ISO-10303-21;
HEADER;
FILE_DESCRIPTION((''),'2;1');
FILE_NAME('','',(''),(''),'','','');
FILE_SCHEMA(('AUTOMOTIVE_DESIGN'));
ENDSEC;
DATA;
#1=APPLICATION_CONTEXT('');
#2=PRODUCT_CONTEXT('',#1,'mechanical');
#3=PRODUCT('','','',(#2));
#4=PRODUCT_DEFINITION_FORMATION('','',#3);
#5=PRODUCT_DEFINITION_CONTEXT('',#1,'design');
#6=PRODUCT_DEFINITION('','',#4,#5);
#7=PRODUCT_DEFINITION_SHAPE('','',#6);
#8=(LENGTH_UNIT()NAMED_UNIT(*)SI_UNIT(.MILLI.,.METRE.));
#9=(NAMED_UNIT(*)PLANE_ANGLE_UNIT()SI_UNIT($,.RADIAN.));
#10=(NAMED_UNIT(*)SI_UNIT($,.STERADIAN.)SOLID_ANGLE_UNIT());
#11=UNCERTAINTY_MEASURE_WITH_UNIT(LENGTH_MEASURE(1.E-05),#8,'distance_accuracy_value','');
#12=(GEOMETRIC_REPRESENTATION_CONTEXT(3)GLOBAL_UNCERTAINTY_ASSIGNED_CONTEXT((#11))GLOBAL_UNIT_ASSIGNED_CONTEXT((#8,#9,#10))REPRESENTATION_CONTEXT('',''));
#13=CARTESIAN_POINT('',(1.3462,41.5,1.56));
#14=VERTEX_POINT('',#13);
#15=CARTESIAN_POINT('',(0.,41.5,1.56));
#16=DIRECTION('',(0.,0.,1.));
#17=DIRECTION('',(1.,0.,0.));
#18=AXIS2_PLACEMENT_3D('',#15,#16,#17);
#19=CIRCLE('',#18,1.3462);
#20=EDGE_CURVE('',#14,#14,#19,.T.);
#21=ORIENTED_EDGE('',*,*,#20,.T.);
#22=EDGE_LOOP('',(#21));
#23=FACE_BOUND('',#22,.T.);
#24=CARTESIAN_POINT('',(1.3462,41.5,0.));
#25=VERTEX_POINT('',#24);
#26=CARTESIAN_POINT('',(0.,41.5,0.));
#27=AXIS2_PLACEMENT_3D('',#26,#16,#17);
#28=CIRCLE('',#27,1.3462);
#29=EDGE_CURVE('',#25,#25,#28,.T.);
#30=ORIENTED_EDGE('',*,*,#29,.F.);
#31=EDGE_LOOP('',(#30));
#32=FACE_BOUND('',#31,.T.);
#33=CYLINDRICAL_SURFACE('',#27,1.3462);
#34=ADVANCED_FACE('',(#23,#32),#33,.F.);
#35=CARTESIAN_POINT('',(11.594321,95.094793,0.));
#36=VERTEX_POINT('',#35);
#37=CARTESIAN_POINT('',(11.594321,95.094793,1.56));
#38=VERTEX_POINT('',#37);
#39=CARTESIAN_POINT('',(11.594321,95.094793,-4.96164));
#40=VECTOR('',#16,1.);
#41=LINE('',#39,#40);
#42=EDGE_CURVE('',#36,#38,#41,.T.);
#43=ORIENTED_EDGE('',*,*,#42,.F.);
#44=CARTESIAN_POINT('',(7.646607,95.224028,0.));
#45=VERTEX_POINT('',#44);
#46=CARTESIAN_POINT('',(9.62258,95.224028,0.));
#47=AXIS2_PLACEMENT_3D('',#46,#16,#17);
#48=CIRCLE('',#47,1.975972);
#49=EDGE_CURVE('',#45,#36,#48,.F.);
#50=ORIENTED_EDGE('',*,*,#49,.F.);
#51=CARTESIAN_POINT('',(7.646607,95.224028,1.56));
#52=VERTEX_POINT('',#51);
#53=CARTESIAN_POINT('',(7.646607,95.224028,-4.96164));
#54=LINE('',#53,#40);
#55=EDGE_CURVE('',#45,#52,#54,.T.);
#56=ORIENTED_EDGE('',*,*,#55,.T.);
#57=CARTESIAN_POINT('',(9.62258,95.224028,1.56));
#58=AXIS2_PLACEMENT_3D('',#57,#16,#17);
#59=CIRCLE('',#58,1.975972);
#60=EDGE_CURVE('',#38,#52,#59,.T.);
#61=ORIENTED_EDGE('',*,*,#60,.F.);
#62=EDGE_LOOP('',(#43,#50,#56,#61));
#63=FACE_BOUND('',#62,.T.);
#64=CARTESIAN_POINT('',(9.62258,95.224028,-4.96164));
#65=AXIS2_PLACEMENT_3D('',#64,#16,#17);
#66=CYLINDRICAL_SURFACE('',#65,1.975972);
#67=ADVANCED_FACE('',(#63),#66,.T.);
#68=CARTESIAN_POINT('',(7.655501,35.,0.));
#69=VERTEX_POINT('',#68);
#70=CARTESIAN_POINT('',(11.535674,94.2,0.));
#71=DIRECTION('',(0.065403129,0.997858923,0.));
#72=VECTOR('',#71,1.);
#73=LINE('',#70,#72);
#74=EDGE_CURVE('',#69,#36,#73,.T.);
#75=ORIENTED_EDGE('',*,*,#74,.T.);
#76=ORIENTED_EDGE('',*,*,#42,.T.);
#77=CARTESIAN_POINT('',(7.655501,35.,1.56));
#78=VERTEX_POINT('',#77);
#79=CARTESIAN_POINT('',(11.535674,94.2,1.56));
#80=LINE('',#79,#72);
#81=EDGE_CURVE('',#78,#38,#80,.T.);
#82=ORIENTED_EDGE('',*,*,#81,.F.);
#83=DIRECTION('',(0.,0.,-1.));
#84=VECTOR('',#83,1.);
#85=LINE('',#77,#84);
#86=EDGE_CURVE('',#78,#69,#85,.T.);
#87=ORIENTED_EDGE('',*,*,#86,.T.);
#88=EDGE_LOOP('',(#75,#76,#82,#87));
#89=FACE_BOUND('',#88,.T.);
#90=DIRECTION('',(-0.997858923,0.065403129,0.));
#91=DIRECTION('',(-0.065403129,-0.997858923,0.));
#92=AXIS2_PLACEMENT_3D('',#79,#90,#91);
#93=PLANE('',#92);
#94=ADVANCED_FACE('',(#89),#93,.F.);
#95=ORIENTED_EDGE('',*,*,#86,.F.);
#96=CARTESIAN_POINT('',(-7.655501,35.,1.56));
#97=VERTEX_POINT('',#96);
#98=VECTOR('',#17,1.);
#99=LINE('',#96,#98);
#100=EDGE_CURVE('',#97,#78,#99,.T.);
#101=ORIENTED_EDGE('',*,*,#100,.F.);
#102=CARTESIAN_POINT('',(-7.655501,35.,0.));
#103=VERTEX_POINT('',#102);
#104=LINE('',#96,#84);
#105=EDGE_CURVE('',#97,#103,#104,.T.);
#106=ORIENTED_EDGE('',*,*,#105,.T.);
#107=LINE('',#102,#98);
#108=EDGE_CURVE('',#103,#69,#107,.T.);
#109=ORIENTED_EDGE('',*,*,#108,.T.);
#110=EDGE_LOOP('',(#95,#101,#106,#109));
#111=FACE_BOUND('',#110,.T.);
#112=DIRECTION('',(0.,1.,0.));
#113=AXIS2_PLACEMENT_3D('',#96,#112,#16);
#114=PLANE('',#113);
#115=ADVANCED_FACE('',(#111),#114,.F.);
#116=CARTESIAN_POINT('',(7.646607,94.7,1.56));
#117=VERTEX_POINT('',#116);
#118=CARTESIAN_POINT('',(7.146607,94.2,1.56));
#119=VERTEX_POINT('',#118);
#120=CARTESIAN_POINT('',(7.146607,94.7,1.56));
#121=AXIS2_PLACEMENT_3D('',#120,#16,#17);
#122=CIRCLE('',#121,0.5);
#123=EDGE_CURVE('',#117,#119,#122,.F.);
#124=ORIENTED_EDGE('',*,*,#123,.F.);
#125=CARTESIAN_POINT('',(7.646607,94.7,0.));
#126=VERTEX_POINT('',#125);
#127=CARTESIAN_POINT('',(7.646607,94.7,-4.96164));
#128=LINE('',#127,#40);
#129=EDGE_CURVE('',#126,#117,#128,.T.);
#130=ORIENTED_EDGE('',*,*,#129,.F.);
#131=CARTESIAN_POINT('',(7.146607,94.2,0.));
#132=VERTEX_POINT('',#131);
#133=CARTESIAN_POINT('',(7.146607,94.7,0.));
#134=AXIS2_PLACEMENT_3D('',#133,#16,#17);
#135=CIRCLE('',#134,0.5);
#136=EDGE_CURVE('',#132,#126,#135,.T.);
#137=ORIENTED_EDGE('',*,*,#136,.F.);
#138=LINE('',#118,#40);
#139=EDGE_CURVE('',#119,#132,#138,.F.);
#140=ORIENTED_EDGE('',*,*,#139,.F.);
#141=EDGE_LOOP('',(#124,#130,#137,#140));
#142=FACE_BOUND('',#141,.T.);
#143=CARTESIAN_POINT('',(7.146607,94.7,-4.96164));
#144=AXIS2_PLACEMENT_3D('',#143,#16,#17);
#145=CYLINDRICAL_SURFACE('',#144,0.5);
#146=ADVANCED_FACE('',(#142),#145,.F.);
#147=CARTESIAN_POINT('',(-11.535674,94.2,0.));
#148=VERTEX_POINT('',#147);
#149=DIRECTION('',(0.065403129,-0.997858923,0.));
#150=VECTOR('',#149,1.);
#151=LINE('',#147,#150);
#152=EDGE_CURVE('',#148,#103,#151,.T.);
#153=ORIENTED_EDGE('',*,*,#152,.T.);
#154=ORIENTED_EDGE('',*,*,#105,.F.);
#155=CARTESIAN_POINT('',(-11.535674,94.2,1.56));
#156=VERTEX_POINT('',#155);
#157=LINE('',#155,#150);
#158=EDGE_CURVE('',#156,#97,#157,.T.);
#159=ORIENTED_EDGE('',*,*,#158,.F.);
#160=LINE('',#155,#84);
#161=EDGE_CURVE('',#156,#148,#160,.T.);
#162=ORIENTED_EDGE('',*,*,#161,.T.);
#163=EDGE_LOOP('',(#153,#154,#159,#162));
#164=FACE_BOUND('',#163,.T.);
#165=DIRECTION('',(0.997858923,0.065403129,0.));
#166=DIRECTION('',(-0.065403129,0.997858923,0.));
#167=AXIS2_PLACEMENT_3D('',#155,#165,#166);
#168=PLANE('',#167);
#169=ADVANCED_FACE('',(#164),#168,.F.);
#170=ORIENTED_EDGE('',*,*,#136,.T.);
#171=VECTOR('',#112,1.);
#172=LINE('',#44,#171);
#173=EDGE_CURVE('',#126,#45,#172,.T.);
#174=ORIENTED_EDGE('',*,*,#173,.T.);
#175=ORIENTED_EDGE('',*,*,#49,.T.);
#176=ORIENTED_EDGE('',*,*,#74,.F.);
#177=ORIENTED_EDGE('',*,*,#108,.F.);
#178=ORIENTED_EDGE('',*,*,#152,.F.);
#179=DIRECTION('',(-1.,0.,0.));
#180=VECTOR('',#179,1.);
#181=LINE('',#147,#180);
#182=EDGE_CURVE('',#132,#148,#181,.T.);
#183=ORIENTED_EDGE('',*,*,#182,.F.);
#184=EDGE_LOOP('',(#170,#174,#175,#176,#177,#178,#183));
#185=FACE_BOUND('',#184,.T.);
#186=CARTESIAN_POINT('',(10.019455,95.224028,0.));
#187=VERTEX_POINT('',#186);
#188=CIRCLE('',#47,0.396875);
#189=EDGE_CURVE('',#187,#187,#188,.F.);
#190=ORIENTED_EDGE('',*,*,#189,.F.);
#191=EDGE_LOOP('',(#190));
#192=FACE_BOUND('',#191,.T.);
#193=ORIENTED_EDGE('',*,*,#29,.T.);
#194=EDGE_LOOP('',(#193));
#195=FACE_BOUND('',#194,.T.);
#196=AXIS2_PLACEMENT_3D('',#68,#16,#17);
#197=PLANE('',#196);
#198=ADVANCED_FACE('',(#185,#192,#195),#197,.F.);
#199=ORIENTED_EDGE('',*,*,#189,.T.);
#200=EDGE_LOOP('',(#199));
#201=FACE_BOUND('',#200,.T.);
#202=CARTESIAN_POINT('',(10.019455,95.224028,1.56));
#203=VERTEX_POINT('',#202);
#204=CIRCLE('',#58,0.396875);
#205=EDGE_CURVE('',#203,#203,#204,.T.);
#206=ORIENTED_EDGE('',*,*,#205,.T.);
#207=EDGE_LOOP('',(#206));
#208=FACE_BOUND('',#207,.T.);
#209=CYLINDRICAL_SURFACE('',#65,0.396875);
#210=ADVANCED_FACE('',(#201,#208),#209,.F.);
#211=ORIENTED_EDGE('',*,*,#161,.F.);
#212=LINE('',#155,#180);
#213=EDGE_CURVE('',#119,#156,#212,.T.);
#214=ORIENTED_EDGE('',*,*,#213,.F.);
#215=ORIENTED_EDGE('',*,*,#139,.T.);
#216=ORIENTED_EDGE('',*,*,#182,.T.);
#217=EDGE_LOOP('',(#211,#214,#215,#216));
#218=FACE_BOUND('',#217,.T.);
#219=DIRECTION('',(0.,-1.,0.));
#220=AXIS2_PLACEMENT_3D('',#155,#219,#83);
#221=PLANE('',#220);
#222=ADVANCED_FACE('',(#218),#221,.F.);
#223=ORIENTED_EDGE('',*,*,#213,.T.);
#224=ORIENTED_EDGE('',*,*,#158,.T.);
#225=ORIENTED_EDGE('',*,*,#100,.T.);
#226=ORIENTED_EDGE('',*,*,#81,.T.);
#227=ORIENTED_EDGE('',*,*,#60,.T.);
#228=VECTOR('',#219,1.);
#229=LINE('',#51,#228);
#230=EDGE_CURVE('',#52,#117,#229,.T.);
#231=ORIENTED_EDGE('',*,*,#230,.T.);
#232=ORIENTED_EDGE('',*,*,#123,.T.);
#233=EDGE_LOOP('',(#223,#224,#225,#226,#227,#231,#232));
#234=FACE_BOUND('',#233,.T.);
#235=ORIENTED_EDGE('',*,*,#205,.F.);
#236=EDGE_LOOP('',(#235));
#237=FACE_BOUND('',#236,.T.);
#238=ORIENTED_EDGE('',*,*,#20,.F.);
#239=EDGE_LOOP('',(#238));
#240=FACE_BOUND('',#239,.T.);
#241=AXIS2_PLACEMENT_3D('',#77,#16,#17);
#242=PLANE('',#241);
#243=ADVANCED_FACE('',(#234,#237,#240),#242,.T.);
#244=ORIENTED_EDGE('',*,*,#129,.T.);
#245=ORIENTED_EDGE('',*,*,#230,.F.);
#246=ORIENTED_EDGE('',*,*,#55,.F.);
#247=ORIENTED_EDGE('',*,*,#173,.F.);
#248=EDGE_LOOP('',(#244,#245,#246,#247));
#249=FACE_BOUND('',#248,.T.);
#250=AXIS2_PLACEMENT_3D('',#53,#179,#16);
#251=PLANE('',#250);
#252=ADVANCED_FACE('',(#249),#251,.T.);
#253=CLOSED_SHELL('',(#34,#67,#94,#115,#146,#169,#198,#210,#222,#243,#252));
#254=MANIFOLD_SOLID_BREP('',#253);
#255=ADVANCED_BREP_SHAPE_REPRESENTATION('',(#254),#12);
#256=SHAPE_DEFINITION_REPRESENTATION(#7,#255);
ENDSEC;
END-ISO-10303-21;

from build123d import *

# Parameters (mm, degrees)
EXTRUDE1_DEPTH     = 1.56
SKETCH2_R          = 1.3462
CUT_EXTRUDE2_DEPTH = 2.56
SKETCH3_R          = 0.396875
EXTRUDE2_DEPTH     = 1.56
FILLET1_R          = 0.5


with BuildPart() as part:
    # Sketch1 → Extrude1 (new body)
    with BuildSketch(Plane.XY):
        Polygon((-7.655500535, 35), (7.655500535, 35), (11.535673534, 94.2), (-11.535673534, 94.2), align=None)
    extrude(amount=EXTRUDE1_DEPTH)

    # Sketch2 → Cut-Extrude2 (cut, through all)
    with BuildSketch(Plane(origin=(2.513247729, -24.95744912, 1.56), x_dir=(1, 0, 0), z_dir=(0, 0, 1))):
        with Locations((-2.513247729, 66.45744912)):
            Circle(SKETCH2_R)
    extrude(amount=-CUT_EXTRUDE2_DEPTH, mode=Mode.SUBTRACT)

    # Sketch3 → Extrude2 (add)
    with BuildSketch(Plane.XY.offset(1.56)):
        with BuildLine():
            Line((11.535673534, 94.2), (7.646607283, 94.2))
            Line((7.646607283, 94.2), (7.646607283, 95.22402761))
            ThreePointArc((7.646607283, 95.22402761), (9.687231677, 97.19894204), (11.594321354, 95.094792832))
            Line((11.594321354, 95.094792832), (11.535673534, 94.2))
        make_face()
        with Locations((9.622579673, 95.22402761)):
            Circle(SKETCH3_R, mode=Mode.SUBTRACT)
    extrude(amount=-EXTRUDE2_DEPTH)

    # Fillet1
    fillet1_edges = [part.edges().sort_by_distance(p)[0] for p in [
        (7.646607283, 94.2, 0.78),
    ]]
    fillet(fillet1_edges, radius=FILLET1_R)


solid = part.part
